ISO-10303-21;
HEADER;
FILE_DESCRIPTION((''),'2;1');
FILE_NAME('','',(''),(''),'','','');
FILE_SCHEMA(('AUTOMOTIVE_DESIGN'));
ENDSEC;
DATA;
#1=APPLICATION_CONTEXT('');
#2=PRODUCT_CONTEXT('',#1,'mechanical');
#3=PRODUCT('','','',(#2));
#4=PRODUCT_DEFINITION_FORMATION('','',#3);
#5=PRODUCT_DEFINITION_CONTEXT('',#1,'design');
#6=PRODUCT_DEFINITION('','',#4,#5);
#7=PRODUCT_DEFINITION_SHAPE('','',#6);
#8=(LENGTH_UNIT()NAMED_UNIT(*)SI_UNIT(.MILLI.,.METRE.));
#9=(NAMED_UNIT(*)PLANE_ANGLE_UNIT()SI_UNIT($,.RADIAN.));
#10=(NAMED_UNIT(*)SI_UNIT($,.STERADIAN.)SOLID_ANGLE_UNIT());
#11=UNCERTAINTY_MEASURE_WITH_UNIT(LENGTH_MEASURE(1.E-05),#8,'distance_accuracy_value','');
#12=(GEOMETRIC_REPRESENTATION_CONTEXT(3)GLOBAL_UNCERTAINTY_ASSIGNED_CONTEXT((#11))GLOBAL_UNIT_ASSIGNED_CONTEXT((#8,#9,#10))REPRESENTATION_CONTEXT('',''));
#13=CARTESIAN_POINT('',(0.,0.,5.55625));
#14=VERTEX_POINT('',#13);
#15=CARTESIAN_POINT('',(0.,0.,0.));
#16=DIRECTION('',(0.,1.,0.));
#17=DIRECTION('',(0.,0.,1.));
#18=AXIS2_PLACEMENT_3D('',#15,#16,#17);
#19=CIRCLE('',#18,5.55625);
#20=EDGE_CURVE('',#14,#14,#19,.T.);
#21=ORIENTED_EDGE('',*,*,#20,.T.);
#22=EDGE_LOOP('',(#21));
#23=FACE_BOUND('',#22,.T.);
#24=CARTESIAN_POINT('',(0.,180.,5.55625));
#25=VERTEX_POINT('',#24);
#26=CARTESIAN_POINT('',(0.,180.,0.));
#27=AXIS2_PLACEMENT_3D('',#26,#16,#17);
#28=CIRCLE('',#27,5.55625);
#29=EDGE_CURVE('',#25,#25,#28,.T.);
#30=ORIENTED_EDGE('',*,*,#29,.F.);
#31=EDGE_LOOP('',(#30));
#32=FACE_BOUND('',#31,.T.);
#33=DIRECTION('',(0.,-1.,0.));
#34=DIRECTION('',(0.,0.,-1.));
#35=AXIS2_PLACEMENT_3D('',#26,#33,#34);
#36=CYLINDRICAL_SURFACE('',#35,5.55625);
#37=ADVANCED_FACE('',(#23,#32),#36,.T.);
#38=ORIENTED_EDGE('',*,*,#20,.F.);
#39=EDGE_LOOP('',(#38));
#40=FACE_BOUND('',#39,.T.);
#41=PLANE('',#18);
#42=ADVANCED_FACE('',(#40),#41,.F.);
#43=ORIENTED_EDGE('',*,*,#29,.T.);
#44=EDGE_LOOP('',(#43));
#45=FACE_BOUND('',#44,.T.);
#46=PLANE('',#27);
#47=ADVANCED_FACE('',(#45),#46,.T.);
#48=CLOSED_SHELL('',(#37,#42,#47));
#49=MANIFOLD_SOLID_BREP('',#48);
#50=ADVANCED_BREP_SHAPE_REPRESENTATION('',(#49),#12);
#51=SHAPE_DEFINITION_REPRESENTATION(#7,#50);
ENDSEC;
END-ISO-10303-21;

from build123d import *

# Parameters (mm, degrees)
SKETCH2_R           = 5.55625
BOSS_EXTRUDE1_DEPTH = 180


with BuildPart() as part:
    # Sketch2 → Boss-Extrude1 (new body)
    with BuildSketch(Plane(origin=(0, 0, 0), x_dir=(1, 0, 0), z_dir=(0, 1, 0))):
        Circle(SKETCH2_R)
    extrude(amount=BOSS_EXTRUDE1_DEPTH)


solid = part.part
